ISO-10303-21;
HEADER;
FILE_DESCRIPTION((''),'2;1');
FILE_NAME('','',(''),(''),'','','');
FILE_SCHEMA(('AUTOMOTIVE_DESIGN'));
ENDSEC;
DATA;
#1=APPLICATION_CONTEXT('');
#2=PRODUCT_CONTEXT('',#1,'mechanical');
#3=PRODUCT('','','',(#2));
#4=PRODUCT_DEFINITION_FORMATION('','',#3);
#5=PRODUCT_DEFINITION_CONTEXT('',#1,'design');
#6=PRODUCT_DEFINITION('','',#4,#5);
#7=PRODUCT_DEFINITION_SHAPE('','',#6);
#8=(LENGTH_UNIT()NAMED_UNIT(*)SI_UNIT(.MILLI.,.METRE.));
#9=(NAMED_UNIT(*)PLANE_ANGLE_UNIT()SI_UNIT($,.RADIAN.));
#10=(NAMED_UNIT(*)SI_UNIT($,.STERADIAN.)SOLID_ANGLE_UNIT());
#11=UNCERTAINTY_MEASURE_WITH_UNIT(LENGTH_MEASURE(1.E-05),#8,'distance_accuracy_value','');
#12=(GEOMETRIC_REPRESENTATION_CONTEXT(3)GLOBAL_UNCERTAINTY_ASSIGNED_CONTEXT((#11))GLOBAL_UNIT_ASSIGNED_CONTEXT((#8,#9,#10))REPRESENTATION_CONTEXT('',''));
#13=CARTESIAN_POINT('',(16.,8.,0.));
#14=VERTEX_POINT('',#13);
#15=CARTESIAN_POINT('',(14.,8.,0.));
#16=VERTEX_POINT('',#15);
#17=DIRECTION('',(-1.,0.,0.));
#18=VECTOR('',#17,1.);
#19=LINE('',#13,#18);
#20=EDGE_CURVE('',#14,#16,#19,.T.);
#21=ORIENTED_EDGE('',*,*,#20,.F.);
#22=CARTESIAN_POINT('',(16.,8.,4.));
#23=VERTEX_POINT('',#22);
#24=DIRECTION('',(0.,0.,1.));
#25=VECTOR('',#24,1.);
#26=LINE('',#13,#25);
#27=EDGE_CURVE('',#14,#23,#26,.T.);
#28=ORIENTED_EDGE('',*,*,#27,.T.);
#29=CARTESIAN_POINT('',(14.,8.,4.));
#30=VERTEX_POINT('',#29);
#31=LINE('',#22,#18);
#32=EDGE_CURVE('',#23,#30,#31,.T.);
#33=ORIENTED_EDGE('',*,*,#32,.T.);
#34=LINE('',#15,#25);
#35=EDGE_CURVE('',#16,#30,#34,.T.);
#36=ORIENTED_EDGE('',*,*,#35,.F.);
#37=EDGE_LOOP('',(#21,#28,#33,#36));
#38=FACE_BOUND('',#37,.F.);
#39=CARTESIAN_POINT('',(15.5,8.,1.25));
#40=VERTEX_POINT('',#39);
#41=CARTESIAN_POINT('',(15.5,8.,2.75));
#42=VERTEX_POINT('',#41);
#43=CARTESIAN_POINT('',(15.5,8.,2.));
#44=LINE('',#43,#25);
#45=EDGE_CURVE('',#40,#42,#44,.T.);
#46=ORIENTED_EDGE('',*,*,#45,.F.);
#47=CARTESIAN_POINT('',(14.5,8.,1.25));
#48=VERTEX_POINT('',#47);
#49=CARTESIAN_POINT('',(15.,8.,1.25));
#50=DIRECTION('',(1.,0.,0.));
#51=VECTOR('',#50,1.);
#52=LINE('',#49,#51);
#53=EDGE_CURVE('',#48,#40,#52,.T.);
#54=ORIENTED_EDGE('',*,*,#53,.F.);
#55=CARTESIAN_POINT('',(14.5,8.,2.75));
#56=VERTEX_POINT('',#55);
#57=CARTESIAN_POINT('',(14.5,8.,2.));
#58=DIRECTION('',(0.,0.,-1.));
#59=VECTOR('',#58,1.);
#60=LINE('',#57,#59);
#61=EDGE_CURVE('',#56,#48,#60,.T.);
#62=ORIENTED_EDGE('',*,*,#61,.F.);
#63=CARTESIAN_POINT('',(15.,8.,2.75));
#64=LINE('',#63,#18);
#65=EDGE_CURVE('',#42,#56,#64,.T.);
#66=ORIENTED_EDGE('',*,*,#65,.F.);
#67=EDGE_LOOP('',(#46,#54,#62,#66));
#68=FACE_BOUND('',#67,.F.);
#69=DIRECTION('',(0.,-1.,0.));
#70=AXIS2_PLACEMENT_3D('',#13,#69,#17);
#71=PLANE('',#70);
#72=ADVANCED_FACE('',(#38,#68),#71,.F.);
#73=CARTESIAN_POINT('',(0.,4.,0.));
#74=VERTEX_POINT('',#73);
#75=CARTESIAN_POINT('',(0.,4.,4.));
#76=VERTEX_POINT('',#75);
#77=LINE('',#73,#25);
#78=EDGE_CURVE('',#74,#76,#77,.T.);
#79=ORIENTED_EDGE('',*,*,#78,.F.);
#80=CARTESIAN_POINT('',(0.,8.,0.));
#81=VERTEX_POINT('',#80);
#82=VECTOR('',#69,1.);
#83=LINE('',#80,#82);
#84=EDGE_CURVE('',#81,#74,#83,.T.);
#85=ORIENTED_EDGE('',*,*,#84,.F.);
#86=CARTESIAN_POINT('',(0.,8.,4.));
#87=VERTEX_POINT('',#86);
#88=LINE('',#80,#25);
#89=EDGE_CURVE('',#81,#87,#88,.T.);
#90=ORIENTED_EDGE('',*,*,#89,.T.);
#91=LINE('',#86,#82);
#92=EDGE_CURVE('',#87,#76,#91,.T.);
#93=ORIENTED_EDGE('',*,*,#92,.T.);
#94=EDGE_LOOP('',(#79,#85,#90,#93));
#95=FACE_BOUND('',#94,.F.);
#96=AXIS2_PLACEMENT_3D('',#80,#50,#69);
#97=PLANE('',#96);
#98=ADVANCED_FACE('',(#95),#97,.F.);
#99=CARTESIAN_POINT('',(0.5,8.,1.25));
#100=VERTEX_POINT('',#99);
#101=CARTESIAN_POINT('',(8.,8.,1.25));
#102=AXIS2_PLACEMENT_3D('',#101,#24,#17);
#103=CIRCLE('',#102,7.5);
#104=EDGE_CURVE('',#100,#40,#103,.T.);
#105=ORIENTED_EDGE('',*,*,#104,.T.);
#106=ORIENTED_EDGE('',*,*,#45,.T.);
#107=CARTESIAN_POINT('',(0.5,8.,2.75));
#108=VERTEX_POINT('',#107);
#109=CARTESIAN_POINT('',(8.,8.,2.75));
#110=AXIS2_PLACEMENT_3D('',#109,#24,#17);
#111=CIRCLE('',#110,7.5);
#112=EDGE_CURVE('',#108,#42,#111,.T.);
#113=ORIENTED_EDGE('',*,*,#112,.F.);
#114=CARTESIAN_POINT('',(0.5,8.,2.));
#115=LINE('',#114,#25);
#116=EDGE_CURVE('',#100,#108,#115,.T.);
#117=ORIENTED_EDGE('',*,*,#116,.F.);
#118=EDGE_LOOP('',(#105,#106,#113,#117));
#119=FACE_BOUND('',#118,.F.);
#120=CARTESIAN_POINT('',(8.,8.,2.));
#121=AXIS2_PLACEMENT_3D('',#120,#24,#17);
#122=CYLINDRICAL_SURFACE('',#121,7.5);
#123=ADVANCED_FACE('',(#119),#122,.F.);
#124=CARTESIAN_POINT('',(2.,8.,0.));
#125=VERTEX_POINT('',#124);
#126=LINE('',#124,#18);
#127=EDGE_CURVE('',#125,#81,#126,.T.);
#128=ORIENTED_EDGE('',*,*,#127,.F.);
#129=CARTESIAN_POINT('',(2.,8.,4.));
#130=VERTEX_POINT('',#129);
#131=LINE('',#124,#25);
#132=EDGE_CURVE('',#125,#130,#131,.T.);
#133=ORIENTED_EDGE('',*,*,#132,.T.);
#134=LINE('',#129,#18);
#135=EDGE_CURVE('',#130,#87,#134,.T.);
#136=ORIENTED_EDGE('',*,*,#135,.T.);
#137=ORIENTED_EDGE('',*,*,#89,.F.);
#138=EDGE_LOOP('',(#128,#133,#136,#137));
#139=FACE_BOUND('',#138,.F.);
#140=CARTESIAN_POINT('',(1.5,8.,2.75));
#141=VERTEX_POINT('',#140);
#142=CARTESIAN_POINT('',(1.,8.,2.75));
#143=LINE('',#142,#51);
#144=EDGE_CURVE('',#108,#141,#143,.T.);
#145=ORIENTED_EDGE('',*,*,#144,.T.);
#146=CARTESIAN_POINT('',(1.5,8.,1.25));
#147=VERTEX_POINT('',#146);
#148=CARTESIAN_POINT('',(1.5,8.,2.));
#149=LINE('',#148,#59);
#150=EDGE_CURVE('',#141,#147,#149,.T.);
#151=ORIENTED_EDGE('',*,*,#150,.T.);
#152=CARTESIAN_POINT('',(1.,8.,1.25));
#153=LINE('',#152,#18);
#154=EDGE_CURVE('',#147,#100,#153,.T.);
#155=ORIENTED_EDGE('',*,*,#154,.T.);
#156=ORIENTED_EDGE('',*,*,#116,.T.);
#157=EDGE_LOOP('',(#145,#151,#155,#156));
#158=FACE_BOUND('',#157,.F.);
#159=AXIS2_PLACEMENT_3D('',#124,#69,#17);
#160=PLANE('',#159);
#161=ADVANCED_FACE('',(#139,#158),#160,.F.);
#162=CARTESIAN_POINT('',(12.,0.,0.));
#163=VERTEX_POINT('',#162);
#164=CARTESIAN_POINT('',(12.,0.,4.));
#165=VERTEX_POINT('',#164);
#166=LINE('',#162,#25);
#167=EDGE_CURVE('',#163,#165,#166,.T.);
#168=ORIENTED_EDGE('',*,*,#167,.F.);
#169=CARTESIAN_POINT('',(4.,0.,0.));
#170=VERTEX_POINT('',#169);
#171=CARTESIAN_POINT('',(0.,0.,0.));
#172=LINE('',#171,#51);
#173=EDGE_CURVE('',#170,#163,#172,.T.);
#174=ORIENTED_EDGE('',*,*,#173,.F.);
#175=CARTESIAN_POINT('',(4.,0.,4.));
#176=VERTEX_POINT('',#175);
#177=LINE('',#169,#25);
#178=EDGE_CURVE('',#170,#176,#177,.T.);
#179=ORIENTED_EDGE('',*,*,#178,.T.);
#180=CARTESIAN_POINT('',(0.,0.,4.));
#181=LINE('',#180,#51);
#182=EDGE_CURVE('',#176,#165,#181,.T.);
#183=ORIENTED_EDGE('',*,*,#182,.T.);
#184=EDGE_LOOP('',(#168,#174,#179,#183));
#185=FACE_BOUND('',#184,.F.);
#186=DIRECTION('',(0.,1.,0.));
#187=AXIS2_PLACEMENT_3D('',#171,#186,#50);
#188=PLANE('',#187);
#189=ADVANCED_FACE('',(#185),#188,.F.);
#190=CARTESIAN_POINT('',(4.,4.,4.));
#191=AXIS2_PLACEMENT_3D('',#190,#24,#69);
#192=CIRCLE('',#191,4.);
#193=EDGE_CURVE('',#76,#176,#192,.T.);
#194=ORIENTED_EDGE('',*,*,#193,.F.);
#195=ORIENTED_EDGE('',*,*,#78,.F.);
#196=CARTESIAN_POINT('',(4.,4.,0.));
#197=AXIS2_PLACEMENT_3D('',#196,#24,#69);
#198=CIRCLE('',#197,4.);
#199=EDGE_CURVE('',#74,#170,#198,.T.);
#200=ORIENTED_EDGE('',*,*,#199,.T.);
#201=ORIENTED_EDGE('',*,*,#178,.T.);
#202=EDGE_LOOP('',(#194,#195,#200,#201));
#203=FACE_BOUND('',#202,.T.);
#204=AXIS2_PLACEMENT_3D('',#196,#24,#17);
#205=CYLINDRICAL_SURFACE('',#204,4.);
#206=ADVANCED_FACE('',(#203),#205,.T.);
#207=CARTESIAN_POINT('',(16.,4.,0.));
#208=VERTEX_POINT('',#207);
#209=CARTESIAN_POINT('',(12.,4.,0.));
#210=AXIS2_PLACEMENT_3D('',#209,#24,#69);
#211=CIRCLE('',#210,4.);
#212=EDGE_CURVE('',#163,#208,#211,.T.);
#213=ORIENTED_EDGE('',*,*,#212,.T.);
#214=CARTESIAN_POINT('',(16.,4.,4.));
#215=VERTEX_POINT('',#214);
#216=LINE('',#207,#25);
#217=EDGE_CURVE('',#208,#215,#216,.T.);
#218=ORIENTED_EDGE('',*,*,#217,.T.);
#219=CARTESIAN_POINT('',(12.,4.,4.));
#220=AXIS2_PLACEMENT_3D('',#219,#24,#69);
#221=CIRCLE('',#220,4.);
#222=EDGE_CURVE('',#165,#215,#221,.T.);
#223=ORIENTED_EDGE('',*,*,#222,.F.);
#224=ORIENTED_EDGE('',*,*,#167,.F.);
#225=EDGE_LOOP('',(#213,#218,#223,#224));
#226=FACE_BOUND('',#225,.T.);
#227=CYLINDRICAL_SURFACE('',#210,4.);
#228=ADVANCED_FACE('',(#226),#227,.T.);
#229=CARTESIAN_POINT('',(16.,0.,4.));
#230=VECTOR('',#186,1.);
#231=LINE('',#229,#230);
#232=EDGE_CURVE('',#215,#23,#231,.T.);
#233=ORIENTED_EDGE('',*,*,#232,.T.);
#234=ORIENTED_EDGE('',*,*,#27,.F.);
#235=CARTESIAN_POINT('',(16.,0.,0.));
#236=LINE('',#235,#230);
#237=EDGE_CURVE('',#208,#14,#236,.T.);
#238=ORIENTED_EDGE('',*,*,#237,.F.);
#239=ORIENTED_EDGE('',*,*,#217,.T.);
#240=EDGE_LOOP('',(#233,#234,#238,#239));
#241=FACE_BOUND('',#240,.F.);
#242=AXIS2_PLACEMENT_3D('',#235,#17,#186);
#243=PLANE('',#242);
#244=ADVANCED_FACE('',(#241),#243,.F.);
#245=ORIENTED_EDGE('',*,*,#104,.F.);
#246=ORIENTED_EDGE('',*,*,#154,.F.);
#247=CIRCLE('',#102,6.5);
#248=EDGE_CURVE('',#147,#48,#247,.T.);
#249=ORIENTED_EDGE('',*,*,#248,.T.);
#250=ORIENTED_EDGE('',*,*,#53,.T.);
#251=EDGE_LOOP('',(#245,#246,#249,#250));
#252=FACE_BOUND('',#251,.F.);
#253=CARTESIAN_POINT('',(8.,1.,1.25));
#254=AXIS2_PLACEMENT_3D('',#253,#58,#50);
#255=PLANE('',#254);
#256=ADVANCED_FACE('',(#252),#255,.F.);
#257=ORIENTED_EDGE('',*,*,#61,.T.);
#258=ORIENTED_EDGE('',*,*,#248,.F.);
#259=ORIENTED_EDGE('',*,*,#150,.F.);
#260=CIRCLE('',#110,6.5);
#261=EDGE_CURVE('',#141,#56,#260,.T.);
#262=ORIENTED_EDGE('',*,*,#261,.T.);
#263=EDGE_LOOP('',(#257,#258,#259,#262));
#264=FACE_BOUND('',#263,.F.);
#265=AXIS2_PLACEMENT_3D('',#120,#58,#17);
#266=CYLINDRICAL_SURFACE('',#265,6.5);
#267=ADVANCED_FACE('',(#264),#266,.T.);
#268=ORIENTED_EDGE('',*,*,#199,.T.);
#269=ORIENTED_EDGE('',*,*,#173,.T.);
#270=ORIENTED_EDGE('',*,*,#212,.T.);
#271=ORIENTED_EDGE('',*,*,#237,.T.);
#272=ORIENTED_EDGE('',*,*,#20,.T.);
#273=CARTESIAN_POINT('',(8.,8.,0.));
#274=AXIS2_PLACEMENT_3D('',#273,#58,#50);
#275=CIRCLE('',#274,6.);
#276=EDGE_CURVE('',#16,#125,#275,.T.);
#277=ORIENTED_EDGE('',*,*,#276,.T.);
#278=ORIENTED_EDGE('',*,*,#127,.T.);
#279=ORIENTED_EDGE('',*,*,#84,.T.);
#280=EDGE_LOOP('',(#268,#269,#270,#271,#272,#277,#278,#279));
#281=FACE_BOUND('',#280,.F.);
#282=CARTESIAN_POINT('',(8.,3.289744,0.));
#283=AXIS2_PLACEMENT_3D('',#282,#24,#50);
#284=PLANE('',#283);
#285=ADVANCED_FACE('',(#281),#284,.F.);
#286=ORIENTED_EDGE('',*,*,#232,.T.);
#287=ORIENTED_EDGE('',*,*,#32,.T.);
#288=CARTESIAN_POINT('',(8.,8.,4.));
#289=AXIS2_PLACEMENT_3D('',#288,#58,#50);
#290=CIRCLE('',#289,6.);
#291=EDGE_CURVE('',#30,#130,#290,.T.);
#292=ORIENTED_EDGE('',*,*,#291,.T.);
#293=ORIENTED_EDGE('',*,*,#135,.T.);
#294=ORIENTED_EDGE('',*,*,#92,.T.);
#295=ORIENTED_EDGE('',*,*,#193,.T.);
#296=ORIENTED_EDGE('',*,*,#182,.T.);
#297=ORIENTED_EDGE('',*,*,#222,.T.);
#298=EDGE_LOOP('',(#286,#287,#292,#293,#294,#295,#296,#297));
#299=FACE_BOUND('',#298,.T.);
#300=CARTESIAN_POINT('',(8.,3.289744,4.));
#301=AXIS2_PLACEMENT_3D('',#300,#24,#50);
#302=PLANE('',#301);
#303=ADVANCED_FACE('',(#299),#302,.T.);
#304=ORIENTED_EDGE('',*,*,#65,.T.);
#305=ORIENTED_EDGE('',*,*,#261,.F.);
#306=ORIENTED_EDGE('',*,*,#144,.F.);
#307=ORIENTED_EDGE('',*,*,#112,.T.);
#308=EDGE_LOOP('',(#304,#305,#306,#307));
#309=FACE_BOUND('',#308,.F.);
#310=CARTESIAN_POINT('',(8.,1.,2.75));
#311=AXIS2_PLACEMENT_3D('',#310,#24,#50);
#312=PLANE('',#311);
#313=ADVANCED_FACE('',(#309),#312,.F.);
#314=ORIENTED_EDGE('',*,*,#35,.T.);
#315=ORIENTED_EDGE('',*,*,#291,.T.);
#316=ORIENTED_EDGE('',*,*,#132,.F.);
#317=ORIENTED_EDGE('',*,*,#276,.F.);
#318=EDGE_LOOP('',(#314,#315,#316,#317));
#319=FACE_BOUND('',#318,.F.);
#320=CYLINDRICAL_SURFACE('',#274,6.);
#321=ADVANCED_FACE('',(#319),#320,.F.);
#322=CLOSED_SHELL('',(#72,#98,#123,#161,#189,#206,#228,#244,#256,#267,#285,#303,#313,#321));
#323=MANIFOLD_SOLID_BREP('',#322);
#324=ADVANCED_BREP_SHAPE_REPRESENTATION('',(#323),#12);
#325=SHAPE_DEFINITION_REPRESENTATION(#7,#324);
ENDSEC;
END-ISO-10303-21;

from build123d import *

# Parameters (mm, degrees)
F1_DEPTH = 4
F2_R     = 4
F5_W     = 1
F5_H     = 1.5


with BuildPart() as f1:
    # F0 (on Top) → F1 (new body)
    with BuildSketch(Plane.XY):
        with BuildLine():
            Line((0, 8), (0, 0))
            Line((0, 0), (16, 0))
            Line((16, 0), (16, 8))
            Line((16, 8), (14, 8))
            ThreePointArc((14, 8), (8, 2), (2, 8))
            Line((2, 8), (0, 8))
        make_face()
    extrude(amount=F1_DEPTH)

    # F2
    f2_edges = [f1.edges().sort_by_distance(p)[0] for p in [
        (16, 0, 2),
        (0, 0, 2),
    ]]
    fillet(f2_edges, radius=F2_R)

    # F6: sweep along a path in F4
    with BuildLine(Plane.XY.offset(2)) as f6_path:
        ThreePointArc((1, 8), (8, 1), (15, 8))
    # F5 (on face) → F6 (sweep, cut)
    with BuildSketch(Plane(origin=(0, 8, 0), x_dir=(-1, 0, 0), z_dir=(0, 1, 0))):
        with Locations((-1, 2)):
            Rectangle(F5_W, F5_H)
    sweep(path=f6_path.line, mode=Mode.SUBTRACT)


solid = f1.part
